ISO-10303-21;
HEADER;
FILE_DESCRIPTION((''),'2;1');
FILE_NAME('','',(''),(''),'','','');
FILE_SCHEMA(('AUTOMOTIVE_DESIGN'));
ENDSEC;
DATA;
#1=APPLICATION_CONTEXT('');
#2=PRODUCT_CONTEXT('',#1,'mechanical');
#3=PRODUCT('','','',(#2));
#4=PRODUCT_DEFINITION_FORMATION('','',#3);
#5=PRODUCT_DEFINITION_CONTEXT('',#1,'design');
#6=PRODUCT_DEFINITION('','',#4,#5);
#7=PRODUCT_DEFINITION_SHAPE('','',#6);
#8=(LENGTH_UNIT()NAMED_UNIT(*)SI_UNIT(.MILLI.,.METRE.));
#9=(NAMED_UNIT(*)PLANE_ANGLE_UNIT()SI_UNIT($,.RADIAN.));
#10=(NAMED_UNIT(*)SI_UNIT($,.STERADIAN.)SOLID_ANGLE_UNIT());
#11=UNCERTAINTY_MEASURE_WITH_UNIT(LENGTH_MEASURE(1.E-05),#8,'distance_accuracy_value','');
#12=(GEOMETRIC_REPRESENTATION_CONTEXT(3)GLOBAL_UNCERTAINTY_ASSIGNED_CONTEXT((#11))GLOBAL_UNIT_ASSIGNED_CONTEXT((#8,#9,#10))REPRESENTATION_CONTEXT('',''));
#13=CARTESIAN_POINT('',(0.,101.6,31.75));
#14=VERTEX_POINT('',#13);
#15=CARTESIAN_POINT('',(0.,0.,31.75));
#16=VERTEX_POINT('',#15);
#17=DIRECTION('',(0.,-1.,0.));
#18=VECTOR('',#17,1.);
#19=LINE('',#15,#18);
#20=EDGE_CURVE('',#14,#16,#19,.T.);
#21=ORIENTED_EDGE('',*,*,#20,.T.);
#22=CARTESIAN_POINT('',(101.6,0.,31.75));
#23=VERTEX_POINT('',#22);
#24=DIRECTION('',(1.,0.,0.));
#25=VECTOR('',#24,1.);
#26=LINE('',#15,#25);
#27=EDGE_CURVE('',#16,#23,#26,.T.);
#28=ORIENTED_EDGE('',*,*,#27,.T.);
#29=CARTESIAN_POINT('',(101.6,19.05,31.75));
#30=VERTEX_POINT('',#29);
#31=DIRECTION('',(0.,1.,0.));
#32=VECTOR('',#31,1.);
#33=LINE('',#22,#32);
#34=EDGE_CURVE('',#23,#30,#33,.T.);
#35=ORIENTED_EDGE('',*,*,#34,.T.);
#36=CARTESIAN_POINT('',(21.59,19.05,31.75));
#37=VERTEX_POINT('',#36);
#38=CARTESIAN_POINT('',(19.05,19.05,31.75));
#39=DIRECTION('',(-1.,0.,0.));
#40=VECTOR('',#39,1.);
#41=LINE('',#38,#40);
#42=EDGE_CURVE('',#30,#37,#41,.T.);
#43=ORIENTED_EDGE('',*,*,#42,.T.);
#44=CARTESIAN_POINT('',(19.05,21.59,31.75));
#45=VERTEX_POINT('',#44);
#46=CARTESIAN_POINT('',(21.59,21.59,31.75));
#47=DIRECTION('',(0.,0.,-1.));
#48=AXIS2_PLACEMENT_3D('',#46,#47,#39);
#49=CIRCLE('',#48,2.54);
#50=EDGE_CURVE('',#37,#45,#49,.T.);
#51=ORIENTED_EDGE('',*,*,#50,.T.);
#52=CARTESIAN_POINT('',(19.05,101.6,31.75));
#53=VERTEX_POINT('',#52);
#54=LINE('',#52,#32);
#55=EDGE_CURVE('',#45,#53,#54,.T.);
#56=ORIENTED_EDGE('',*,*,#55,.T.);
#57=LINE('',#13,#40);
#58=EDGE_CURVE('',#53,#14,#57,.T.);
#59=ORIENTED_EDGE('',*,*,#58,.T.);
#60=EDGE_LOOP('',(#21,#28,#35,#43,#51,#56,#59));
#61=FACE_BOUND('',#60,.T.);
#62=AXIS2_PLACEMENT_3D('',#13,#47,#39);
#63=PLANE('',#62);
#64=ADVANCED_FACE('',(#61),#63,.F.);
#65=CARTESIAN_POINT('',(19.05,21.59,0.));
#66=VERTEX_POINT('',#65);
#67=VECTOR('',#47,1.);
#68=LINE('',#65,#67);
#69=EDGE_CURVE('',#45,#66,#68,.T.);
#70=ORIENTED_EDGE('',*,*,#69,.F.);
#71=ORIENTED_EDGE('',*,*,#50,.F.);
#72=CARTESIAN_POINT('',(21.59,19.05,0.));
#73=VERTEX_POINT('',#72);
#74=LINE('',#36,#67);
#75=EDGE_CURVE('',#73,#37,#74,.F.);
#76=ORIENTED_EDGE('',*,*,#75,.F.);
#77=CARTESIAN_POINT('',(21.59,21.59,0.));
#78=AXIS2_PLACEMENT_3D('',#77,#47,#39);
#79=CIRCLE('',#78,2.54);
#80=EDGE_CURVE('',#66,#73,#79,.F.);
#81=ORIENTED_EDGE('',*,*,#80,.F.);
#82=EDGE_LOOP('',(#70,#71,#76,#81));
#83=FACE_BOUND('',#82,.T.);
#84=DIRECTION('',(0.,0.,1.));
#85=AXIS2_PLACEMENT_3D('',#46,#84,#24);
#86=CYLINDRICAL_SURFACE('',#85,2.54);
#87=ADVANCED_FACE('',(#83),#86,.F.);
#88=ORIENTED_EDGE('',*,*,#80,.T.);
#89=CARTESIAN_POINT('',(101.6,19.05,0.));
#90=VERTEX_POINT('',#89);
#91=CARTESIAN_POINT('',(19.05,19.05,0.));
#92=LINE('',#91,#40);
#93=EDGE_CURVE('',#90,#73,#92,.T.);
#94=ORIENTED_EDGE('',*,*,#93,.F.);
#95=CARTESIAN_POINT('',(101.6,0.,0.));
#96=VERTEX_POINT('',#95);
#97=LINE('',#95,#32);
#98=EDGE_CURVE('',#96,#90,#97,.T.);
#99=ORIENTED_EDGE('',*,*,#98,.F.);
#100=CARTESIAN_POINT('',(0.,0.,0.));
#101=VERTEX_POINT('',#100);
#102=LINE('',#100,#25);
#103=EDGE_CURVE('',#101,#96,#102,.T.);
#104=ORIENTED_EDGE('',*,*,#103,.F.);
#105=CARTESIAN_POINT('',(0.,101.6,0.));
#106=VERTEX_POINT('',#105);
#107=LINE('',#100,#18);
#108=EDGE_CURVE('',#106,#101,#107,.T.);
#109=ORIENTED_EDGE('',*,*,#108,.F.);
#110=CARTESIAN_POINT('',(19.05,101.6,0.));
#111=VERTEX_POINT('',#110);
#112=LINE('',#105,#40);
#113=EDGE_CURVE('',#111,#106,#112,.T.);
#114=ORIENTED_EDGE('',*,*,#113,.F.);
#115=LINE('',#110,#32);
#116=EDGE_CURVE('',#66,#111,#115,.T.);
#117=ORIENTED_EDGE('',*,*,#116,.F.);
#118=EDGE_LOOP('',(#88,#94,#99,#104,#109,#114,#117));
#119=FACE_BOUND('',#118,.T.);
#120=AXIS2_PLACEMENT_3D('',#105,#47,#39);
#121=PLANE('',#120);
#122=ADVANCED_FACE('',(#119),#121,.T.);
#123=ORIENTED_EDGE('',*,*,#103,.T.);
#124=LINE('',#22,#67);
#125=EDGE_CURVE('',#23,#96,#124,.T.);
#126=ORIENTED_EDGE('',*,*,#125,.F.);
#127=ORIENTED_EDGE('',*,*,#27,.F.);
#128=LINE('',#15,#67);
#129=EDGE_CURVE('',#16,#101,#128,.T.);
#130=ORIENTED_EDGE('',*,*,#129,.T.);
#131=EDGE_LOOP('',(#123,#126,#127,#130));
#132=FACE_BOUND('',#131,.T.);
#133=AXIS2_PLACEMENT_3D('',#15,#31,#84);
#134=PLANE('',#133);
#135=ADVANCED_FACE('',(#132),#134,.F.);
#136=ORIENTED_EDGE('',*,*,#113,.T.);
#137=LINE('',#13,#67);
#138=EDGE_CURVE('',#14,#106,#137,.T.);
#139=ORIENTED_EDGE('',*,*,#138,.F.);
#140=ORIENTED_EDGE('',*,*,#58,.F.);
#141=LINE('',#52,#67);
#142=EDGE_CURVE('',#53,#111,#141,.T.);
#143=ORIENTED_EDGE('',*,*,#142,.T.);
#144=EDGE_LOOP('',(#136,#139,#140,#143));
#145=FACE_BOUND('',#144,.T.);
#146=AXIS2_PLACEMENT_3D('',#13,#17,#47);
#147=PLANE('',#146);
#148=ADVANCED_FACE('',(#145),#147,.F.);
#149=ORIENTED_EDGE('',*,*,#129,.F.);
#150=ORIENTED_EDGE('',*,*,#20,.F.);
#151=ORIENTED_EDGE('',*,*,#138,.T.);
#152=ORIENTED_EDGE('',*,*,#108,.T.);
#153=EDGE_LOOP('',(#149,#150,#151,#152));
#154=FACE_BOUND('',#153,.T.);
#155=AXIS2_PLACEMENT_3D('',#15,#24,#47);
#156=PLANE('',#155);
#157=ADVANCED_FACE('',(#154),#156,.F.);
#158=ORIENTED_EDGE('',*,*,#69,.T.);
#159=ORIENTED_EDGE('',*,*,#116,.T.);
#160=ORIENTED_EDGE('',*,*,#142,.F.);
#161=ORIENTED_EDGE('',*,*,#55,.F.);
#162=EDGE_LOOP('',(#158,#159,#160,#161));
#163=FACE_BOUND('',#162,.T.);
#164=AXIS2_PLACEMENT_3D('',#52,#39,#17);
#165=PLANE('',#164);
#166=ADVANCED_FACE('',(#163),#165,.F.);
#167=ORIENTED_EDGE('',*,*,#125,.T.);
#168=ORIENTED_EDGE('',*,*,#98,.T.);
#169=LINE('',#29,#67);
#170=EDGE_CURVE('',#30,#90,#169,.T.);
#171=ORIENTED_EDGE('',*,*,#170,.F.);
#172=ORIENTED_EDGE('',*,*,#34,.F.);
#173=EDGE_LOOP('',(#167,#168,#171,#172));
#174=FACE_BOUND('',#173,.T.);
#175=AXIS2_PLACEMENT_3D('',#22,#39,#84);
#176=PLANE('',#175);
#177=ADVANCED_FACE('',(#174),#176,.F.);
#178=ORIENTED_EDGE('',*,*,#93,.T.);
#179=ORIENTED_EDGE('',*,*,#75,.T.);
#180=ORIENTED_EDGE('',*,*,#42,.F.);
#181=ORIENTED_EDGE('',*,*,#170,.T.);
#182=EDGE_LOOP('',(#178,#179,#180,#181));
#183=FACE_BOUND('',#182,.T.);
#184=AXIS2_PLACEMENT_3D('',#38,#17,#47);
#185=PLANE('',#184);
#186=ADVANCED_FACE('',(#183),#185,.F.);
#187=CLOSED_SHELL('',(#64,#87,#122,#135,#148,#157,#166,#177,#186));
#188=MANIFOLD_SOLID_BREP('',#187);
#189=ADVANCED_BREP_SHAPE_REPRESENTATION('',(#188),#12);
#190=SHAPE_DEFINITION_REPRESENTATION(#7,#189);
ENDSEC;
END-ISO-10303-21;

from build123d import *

# Parameters (mm, degrees)
EXTRUDE1_DEPTH = 31.75
FILLET1_R      = 2.54


with BuildPart() as part:
    # Sketch1 → Extrude1 (new body)
    with BuildSketch(Plane.XY):
        Polygon((19.05, 101.6), (19.05, 19.05), (101.6, 19.05), (101.6, 0), (0, 0), (0, 101.6), align=None)
    extrude(amount=EXTRUDE1_DEPTH)

    # Fillet1
    fillet1_edges = [part.edges().sort_by_distance(p)[0] for p in [
        (19.05, 19.05, 15.875),
    ]]
    fillet(fillet1_edges, radius=FILLET1_R)


solid = part.part
